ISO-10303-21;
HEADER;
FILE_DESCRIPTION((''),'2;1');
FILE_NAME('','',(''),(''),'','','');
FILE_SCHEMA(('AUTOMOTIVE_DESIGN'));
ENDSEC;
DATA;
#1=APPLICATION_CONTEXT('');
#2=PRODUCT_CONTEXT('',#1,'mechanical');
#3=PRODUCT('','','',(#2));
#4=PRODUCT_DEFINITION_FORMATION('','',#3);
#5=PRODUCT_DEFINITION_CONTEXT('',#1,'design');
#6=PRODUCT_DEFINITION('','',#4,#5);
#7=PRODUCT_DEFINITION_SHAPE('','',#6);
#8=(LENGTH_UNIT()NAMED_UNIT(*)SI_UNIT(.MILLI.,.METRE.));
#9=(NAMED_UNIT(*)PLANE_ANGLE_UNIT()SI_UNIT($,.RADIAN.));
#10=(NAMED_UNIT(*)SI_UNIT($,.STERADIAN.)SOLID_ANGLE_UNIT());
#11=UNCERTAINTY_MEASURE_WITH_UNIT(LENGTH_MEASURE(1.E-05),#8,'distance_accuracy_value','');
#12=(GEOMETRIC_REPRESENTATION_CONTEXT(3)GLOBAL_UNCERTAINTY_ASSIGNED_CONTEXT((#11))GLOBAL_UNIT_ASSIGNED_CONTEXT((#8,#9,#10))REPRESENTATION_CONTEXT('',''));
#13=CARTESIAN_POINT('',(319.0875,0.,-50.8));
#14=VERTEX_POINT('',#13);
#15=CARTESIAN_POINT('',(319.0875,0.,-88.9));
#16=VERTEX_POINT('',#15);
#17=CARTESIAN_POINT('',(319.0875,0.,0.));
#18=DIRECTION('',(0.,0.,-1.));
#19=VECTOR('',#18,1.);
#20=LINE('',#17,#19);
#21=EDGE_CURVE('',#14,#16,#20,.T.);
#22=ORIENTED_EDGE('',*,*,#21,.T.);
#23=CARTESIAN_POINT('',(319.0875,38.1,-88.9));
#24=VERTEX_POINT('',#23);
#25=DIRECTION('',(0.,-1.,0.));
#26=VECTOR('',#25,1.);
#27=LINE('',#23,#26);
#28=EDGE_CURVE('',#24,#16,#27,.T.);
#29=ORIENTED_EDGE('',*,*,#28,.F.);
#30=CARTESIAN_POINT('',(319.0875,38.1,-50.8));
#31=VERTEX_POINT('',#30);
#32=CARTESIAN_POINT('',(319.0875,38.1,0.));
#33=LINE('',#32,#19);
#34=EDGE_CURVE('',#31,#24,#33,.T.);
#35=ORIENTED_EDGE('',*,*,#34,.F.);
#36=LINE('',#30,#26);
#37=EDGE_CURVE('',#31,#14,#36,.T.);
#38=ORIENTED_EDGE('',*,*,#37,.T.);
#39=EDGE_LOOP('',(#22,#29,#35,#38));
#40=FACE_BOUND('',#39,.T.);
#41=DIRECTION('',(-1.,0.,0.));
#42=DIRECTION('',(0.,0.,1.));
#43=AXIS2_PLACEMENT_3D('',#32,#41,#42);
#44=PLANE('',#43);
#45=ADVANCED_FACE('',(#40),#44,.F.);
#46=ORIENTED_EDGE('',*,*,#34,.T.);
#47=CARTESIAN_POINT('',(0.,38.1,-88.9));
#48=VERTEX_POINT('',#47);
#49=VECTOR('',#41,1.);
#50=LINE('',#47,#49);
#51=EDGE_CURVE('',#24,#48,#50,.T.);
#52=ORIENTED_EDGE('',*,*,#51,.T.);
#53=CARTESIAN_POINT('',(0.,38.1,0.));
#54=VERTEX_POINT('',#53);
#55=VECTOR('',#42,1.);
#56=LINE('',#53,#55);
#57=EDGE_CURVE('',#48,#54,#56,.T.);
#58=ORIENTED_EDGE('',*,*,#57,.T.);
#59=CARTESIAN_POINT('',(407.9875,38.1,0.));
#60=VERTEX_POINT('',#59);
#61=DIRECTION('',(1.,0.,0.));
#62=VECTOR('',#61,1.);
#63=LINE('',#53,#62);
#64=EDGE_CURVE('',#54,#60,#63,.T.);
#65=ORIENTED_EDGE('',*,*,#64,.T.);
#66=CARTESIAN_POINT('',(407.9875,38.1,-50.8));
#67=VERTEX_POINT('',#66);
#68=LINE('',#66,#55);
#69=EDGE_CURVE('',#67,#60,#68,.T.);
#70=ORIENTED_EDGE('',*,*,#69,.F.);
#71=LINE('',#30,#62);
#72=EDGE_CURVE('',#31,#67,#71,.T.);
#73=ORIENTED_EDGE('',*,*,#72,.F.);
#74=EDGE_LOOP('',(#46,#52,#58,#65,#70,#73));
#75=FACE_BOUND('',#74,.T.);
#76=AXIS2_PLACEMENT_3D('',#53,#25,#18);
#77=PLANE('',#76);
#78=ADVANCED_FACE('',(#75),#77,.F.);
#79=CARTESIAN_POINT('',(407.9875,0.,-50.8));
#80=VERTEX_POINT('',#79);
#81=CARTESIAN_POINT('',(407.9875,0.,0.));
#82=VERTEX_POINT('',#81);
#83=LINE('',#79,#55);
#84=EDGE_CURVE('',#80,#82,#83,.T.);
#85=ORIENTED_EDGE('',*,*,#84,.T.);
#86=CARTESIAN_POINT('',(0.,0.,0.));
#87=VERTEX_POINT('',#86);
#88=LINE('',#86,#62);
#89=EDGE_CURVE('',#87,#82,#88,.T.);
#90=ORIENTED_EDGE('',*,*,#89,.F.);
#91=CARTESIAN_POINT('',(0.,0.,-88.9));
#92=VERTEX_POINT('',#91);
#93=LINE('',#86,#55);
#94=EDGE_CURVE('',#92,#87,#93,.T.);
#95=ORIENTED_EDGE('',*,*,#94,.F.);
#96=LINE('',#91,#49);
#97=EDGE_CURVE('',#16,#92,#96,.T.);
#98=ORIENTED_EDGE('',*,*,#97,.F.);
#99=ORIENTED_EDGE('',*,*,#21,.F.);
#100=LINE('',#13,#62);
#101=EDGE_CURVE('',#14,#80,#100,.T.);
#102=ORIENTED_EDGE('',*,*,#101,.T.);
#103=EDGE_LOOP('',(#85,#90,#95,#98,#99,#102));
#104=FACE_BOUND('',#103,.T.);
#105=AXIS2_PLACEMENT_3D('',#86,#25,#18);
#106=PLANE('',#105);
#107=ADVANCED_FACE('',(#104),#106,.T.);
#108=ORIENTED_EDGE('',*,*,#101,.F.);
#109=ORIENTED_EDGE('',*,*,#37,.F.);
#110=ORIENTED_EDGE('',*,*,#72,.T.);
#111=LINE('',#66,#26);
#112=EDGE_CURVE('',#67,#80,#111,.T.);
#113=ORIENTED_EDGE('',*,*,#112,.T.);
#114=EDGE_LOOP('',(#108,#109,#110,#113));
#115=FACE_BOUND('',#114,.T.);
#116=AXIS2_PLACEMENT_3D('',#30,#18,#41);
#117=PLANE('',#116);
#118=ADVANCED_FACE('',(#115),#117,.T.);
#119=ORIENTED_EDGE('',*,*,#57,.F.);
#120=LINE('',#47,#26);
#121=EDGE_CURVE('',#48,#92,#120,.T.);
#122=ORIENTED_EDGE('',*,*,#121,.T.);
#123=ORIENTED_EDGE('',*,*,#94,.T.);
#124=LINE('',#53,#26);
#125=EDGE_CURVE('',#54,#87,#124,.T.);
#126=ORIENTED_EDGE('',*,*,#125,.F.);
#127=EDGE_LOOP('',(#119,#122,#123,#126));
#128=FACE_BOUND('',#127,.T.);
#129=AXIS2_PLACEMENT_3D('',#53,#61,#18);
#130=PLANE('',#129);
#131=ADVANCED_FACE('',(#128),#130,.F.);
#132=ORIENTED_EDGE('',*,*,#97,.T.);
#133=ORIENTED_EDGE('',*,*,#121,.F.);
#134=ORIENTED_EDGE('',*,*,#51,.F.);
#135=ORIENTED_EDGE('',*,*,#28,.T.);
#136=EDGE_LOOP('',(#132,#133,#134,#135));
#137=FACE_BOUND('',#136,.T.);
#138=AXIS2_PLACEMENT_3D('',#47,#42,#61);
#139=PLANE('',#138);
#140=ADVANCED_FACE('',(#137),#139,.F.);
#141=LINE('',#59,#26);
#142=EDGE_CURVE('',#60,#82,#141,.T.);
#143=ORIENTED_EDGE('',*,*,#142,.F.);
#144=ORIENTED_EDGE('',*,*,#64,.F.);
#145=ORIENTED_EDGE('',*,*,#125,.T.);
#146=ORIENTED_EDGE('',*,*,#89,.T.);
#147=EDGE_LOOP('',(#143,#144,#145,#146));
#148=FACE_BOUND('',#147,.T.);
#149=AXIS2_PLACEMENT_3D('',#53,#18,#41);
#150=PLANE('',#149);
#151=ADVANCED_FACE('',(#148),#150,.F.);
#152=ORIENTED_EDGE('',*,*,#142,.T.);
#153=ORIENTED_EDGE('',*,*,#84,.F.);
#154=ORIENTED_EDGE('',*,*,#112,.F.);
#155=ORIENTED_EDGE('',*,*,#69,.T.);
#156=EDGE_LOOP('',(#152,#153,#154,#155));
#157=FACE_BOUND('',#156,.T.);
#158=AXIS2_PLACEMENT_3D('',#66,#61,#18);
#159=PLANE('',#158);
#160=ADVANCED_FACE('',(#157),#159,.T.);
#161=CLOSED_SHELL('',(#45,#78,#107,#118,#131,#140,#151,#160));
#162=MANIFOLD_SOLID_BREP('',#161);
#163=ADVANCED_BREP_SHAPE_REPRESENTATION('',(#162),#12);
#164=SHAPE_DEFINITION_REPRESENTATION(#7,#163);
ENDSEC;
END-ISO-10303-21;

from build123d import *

# Parameters (mm, degrees)
SKETCH1_W           = 319.0875
SKETCH1_H           = 88.9
BOSS_EXTRUDE1_DEPTH = 38.1
SKETCH2_W           = 88.9
SKETCH2_H           = 50.8
BOSS_EXTRUDE2_DEPTH = 38.1


with BuildPart() as part:
    # Sketch1 → Boss-Extrude1 (new body)
    with BuildSketch(Plane(origin=(0, 0, 0), x_dir=(1, 0, 0), z_dir=(0, 1, 0))):
        with Locations((159.54375, 44.45)):
            Rectangle(SKETCH1_W, SKETCH1_H)
    extrude(amount=BOSS_EXTRUDE1_DEPTH)

    # Sketch2 → Boss-Extrude2 (add, through all)
    with BuildSketch(Plane.XZ):
        with Locations((363.5375, -25.4)):
            Rectangle(SKETCH2_W, SKETCH2_H)
    extrude(amount=-BOSS_EXTRUDE2_DEPTH)


solid = part.part
